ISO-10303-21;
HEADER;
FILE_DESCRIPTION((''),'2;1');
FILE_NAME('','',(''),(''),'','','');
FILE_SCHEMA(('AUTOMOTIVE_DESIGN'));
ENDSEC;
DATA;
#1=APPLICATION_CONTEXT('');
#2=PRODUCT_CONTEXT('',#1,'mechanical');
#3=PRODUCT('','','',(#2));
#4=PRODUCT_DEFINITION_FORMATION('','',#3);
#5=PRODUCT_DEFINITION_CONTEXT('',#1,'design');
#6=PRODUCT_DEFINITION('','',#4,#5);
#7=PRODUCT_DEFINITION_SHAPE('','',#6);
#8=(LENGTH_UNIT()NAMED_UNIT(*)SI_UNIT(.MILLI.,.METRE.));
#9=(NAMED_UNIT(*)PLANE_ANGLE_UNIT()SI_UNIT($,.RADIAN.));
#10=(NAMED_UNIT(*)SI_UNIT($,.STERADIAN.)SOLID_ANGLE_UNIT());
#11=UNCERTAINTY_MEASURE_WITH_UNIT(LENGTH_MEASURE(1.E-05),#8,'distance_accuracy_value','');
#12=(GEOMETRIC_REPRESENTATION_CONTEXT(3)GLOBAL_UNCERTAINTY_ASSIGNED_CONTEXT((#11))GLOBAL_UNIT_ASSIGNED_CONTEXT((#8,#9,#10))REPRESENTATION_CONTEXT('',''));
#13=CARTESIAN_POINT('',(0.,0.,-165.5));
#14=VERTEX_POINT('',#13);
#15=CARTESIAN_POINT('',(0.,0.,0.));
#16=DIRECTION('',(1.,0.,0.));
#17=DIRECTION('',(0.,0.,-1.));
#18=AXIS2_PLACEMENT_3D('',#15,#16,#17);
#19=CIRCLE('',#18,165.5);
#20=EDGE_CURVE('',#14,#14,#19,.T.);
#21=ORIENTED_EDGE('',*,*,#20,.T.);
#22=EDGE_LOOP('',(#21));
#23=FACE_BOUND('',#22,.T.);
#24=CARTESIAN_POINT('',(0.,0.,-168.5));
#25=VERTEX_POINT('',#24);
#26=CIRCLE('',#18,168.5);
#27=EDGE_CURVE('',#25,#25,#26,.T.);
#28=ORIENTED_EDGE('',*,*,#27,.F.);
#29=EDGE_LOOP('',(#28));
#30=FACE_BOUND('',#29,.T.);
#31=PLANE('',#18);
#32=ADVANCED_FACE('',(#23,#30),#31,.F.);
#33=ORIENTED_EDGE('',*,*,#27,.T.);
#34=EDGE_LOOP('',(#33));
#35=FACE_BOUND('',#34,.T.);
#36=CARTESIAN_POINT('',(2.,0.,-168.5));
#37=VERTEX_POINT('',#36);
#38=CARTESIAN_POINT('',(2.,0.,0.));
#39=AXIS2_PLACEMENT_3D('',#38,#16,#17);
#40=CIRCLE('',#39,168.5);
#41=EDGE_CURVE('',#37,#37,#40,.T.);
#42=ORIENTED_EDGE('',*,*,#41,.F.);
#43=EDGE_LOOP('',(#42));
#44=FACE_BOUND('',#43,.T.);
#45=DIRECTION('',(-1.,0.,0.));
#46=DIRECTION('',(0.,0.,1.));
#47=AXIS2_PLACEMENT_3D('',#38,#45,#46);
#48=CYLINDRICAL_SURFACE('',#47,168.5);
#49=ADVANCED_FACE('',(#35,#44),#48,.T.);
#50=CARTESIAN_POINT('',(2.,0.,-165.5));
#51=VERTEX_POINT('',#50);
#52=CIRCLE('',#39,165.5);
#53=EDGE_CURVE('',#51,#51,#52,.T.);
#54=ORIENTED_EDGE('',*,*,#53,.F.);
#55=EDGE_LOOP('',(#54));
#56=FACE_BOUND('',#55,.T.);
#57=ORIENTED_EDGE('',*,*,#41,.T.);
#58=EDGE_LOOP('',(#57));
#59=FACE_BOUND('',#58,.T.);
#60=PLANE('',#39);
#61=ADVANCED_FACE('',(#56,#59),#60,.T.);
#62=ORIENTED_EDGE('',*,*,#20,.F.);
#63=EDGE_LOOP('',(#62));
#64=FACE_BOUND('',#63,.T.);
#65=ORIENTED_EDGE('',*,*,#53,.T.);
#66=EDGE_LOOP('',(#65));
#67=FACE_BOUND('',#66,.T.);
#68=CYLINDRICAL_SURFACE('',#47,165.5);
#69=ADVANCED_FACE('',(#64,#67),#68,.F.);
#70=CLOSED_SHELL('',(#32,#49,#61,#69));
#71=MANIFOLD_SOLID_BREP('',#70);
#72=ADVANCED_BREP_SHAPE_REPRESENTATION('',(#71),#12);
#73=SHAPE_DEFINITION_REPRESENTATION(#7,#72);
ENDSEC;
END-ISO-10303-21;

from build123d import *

# Parameters (mm, degrees)
SKETCH1_R           = 168.5
SKETCH1_R_2         = 165.5
BOSS_EXTRUDE1_DEPTH = 2


with BuildPart() as part:
    # Sketch1 → Boss-Extrude1 (new body)
    with BuildSketch(Plane(origin=(0, 0, 0), x_dir=(0, 0, -1), z_dir=(1, 0, 0))):
        Circle(SKETCH1_R)
        Circle(SKETCH1_R_2, mode=Mode.SUBTRACT)
    extrude(amount=BOSS_EXTRUDE1_DEPTH)


solid = part.part
